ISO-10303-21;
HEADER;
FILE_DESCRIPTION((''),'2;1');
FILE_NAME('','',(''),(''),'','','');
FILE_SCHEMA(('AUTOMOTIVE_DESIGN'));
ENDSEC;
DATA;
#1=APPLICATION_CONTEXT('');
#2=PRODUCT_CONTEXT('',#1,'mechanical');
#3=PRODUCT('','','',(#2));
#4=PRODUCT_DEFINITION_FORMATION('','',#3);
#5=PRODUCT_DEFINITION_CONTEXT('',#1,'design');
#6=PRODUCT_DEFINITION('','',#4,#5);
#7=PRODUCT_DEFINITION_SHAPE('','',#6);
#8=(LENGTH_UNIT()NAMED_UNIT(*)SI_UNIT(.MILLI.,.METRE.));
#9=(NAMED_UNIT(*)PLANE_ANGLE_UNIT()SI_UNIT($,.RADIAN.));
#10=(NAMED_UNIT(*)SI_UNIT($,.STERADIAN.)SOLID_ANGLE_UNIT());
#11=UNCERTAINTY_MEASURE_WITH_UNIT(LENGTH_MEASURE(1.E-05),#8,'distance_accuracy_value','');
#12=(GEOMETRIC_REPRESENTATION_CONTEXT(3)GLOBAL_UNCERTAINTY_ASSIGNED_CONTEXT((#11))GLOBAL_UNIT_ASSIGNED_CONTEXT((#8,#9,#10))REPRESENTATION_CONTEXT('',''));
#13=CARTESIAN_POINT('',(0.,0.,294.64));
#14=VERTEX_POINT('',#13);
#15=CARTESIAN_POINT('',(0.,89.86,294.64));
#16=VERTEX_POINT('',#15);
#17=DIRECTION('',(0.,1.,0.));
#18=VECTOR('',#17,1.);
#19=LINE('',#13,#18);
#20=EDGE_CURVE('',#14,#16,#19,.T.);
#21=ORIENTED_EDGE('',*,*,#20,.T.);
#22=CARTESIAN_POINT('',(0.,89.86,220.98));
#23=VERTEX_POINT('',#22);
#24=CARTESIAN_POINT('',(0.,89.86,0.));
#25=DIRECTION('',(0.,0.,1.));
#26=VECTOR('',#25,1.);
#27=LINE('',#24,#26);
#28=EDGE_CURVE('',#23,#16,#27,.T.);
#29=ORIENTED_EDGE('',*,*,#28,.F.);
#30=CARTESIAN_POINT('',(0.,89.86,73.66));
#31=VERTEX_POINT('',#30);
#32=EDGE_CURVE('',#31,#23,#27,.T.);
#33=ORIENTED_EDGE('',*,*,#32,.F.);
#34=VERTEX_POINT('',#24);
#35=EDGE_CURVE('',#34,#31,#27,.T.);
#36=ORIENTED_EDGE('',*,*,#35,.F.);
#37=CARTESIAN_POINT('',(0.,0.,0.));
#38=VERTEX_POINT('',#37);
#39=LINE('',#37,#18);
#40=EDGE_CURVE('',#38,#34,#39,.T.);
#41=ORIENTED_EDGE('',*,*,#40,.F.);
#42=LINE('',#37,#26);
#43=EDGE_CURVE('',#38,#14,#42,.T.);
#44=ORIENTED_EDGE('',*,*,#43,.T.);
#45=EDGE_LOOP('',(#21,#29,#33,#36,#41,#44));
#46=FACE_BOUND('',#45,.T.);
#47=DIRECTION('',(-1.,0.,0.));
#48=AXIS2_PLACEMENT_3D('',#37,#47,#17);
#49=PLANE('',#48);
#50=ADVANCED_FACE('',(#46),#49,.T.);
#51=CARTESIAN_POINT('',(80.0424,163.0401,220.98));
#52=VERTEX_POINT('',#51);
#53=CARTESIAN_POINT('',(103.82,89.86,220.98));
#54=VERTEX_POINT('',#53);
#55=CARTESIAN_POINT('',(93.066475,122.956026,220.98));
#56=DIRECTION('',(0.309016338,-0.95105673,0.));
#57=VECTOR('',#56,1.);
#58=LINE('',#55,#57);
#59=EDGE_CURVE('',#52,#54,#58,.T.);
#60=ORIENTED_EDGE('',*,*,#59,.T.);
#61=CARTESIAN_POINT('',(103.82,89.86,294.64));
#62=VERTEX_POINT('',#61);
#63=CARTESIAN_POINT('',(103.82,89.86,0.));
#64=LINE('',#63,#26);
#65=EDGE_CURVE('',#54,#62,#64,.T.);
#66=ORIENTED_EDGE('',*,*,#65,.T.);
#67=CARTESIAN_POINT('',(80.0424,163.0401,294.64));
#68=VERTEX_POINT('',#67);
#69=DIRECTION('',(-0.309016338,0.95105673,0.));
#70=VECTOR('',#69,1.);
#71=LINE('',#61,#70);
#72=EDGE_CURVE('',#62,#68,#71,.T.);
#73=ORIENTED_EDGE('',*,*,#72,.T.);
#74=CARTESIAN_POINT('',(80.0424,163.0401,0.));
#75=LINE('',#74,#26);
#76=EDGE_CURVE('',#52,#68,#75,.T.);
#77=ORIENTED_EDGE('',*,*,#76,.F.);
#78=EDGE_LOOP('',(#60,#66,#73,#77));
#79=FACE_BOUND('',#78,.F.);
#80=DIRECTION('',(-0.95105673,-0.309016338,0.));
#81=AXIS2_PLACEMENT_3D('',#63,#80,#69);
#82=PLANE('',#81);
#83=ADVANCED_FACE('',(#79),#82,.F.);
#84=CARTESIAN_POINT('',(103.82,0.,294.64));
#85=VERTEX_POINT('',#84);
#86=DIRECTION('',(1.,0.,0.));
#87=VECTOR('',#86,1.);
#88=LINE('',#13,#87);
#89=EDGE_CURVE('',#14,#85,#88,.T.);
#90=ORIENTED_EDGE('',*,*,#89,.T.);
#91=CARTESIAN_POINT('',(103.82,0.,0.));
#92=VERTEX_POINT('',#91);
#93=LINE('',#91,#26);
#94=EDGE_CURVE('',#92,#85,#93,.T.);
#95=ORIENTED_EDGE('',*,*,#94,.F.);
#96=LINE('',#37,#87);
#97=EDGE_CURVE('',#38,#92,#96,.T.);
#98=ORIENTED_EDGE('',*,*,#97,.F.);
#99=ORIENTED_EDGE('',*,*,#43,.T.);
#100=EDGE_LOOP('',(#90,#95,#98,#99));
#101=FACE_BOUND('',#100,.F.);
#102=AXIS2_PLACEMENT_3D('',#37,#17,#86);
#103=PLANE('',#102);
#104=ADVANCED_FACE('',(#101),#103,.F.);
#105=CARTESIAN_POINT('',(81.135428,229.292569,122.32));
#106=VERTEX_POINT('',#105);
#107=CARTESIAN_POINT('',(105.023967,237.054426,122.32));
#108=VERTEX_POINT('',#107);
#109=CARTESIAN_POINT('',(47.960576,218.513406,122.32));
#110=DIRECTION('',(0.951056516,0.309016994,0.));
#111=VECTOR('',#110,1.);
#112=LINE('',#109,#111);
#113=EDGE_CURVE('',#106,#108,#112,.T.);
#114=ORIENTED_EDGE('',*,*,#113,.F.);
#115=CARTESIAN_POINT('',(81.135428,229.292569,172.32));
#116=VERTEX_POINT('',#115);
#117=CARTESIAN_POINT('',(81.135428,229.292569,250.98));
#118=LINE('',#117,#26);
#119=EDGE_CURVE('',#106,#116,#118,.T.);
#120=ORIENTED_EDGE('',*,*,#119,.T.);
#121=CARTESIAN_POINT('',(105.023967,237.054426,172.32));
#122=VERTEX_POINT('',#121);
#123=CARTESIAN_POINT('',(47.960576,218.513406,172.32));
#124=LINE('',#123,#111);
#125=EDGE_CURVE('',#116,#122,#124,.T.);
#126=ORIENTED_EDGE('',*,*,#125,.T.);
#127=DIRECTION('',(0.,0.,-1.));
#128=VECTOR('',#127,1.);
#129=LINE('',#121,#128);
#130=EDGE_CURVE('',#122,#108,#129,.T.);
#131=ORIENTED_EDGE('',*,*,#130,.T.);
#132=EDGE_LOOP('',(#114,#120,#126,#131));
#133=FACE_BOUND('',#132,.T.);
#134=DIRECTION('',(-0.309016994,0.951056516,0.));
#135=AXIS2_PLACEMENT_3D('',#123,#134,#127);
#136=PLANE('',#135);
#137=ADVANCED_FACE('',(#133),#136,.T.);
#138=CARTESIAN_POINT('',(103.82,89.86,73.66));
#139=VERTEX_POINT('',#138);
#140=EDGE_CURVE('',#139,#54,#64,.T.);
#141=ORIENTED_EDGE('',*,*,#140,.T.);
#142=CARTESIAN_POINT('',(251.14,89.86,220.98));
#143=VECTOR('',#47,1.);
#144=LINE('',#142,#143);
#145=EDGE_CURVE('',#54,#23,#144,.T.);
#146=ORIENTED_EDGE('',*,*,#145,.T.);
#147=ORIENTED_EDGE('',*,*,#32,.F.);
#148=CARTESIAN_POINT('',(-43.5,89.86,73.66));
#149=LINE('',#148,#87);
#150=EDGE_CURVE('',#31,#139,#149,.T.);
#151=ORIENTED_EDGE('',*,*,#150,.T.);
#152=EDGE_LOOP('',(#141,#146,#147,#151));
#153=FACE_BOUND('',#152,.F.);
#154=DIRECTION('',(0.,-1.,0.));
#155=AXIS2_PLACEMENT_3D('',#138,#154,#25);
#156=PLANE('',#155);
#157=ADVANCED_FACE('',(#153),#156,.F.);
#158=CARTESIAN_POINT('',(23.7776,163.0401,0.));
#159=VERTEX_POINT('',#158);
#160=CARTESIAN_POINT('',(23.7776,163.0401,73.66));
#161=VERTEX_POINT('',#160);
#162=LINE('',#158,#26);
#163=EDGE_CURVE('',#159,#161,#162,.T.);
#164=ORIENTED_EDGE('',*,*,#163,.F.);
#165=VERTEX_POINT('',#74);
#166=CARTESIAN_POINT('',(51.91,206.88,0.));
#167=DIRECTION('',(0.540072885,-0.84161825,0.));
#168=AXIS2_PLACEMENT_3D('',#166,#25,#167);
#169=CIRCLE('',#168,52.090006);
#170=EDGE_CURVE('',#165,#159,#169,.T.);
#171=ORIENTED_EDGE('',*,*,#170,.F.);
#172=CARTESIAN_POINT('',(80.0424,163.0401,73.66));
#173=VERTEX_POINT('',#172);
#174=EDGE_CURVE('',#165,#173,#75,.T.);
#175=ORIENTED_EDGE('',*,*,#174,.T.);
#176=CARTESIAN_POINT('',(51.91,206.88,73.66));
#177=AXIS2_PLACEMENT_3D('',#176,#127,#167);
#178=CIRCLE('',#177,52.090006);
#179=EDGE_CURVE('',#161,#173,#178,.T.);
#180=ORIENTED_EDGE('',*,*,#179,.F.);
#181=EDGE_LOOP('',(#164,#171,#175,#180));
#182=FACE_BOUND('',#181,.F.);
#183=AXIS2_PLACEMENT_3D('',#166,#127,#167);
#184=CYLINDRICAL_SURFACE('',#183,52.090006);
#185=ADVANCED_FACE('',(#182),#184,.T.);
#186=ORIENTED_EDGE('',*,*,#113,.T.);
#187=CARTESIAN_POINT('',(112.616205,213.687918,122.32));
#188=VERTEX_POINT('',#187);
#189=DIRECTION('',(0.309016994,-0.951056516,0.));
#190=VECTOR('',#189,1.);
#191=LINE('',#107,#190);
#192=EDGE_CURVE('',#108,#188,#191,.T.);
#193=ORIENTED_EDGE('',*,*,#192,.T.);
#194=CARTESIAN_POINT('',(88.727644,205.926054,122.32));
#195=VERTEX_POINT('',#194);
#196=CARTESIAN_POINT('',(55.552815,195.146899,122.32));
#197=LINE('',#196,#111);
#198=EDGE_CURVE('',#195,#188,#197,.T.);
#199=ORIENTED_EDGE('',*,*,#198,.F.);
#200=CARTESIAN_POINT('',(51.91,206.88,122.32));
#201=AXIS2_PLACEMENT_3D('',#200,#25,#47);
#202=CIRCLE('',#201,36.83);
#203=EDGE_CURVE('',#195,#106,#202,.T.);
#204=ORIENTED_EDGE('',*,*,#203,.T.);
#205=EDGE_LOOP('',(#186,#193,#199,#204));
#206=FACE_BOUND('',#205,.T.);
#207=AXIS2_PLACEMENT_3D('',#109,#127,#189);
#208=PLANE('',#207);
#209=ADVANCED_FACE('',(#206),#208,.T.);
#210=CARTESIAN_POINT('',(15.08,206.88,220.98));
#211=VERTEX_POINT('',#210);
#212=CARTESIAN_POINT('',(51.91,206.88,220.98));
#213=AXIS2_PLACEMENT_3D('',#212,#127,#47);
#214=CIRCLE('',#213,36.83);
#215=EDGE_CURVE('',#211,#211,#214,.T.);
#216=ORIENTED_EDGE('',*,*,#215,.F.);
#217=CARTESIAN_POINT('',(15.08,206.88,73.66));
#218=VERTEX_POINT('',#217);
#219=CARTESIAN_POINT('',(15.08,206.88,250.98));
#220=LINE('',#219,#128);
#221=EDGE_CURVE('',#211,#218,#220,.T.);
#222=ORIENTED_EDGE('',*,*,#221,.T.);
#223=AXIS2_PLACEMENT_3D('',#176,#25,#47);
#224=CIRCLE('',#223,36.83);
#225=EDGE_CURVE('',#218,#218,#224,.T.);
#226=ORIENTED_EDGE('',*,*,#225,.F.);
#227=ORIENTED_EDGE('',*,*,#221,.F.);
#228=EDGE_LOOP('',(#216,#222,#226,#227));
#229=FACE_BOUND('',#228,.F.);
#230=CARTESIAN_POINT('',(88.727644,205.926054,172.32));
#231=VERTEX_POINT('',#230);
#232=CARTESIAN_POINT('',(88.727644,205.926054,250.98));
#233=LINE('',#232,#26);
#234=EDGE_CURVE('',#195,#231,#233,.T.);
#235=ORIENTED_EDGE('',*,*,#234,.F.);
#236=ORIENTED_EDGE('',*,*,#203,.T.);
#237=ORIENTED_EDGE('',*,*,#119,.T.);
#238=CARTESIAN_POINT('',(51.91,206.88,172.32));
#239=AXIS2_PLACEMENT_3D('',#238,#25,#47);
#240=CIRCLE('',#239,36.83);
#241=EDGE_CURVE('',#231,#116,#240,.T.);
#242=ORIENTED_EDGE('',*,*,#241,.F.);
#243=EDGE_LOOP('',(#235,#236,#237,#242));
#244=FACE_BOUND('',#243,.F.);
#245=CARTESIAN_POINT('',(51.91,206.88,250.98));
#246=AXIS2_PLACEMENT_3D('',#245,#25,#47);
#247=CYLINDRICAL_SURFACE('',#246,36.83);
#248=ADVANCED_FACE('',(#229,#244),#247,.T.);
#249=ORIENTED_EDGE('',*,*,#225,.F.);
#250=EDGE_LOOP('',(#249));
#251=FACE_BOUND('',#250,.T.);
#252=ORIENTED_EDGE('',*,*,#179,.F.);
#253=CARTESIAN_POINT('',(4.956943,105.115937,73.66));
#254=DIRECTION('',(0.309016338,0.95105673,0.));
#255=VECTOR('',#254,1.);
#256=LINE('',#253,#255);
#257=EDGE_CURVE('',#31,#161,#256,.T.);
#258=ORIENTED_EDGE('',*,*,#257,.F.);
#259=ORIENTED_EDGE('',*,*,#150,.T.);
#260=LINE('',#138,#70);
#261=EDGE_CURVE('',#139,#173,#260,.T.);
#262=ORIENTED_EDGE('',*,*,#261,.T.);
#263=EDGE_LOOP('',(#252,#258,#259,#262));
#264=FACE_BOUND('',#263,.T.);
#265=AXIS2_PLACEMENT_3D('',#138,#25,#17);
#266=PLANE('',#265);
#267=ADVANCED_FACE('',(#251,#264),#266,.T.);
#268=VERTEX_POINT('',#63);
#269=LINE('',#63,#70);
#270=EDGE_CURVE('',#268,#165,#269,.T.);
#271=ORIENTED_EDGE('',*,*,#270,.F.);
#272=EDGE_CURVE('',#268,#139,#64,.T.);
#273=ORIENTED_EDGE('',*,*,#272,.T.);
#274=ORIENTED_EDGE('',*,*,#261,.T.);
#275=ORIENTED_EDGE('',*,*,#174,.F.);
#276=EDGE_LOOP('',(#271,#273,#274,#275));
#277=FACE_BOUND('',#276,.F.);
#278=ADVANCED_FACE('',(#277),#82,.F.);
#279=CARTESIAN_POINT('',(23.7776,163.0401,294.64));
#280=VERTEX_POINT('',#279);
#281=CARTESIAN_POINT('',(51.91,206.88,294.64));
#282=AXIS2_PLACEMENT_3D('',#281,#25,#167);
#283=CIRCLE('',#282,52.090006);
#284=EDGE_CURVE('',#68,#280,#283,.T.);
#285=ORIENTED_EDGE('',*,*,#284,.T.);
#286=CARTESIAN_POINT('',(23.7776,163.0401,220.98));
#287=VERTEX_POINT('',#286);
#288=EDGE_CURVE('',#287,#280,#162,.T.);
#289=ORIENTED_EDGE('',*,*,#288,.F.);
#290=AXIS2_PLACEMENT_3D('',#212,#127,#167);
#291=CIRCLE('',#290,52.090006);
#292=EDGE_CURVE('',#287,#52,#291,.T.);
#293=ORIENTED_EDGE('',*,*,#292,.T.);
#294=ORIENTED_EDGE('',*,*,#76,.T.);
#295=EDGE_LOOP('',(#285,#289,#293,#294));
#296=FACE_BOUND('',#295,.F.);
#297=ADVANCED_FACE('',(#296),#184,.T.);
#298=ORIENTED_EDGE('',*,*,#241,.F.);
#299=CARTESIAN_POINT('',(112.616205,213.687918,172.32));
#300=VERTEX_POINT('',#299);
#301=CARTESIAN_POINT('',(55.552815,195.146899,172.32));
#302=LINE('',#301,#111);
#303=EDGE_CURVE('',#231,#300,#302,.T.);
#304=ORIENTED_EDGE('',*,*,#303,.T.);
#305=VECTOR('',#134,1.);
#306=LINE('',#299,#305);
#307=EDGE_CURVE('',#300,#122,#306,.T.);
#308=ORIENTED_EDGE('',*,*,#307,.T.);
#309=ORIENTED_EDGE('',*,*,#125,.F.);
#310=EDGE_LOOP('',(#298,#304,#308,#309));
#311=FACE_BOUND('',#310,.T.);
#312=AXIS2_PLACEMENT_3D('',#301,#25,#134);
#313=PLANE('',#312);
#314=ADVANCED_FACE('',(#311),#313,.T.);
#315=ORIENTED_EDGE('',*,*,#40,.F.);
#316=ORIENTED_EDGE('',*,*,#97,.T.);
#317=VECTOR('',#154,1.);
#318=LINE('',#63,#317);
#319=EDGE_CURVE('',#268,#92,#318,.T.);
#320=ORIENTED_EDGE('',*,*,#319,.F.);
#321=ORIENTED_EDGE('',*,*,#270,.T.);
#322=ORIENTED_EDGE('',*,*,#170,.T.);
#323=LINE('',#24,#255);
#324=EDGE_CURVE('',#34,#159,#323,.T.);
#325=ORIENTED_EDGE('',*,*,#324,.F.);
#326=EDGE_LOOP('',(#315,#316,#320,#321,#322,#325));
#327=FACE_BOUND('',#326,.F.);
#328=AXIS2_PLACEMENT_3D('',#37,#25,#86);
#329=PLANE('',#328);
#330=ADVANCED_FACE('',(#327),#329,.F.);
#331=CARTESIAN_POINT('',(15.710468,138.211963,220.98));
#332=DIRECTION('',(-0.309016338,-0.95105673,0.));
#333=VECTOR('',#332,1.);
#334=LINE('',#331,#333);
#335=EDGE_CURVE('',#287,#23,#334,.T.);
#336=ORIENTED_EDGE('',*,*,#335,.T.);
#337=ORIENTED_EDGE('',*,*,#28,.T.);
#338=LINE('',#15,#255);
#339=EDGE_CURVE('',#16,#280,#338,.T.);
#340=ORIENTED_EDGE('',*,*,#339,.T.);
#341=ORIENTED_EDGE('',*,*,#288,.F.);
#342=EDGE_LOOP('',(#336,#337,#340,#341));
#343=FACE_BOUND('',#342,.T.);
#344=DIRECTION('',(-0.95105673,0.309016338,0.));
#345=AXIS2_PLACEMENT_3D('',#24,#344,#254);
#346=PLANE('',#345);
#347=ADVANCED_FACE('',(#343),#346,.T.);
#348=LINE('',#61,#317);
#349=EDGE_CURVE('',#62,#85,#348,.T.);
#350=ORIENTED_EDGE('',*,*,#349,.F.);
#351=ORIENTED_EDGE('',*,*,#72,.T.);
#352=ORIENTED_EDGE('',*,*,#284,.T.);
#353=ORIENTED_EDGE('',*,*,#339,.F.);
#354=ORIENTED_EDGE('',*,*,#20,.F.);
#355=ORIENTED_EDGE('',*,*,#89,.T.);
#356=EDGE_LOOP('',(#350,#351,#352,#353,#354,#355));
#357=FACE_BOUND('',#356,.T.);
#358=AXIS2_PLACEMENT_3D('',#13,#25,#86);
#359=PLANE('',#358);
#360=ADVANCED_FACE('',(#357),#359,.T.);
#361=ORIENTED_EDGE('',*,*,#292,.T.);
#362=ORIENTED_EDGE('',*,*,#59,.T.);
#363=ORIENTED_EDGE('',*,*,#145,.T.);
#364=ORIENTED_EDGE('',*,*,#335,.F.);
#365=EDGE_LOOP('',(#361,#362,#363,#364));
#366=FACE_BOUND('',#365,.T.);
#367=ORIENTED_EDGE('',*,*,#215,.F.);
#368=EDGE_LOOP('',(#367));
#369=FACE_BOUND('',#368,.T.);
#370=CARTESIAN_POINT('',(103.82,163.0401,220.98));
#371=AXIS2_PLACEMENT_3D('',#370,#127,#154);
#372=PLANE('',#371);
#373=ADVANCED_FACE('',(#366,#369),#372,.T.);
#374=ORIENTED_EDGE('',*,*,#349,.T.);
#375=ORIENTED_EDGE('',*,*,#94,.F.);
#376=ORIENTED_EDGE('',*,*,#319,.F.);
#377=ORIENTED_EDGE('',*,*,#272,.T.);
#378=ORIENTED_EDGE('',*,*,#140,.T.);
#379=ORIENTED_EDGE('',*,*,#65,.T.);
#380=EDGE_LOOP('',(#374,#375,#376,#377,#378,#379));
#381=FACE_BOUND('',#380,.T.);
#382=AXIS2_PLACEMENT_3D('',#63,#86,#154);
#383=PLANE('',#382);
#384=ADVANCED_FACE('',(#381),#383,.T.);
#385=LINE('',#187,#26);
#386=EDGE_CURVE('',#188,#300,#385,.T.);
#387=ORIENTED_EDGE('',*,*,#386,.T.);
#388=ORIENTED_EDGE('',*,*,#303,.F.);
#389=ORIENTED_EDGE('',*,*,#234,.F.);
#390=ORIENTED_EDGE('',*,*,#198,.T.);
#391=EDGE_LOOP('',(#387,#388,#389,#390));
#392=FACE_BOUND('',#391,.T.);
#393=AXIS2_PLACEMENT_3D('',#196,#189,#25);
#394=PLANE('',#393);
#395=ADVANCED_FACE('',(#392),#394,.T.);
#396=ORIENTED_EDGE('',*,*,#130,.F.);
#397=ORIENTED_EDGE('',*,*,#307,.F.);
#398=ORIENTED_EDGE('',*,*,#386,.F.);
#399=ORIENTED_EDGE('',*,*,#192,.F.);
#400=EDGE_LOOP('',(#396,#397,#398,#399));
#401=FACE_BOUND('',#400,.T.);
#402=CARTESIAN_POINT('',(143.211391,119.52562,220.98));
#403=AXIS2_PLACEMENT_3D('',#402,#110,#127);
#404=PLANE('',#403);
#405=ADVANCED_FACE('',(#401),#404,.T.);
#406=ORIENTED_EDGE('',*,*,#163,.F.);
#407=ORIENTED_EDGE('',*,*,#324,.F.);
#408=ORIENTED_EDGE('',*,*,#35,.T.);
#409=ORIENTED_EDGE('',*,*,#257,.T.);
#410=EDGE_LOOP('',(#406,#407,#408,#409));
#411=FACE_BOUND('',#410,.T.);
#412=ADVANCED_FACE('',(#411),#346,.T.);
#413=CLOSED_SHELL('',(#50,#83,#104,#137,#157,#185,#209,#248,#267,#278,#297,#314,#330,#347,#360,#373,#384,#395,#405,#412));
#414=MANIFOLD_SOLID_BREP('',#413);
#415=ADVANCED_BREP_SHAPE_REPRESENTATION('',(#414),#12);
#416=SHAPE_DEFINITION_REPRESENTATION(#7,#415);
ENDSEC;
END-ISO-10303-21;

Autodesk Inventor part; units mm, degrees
ref_plane "YZ Plane" through (0, 0, 0) normal (1, 0, 0) x (0, 1, 0)
ref_plane "XZ Plane" through (0, 0, 0) normal (0, 1, 0) x (-1, 0, 0)
ref_plane "XY Plane" through (0, 0, 0) normal (0, 0, 1) x (1, 0, 0)
sketch "Sketch1" plane through (0, 0, 0) normal (0, 0, 1) x (1, 0, 0)
  line L0 (0, 0) -> (103.82, 0)
  line L1 (0, 0) -> (0, 89.86)
  line L2 (103.82, 89.86) -> (103.82, 0)
  line L3 (103.82, 89.86) -> (80.0424, 163.0401)
  line L4 (0, 89.86) -> (23.7776, 163.0401)
  line L5 (0, 89.86) -> (103.82, 89.86)
  arc A0 (80.0424, 163.0401) -> (23.7776, 163.0401) centre (51.91, 206.88) ccw
  dimension "d1" = 89.86
sketch "Sketch2" plane through (0, 0, 0) normal (0, 0, 1) x (1, 0, 0)
  circle A0 centre (51.91, 206.8113) radius 52.09
  line L0 (0, 89.8599) -> (24.0879, 163.9947)
  line L1 (0, 89.8599) -> (77.95, 89.8599) construction
  point P0 (0, 0)
extrude "Extrusion1" add sketch "Sketch1" along normal blind 294.64
sketch "Sketch3" plane through (103.82, 0, 0) normal (1, 0, 0) x (0, 0, -1)
  line L0 (-294.64, 89.86) -> (-294.64, 0) projected
  line L1 (0, 89.86) -> (-294.64, 89.86) projected
  line L2 (-220.98, 89.86) -> (-73.66, 89.86)
  line L3 (-73.66, 89.86) -> (-73.66, 276.7764)
  line L4 (-73.66, 276.7764) -> (-220.98, 276.7764)
  line L5 (0, 163.0401) -> (-294.64, 163.0401) projected
  line L6 (-220.98, 276.7764) -> (-220.98, 89.86)
  point P0 (0, 0)
extrude "Extrusion2" cut sketch "Sketch3" along normal mid plane 294.64
sketch "Sketch4" plane through (0, 0, 0) normal (0, 0, -1) x (-1, 0, 0)
  point P0 (0, 0)
sketch "Sketch5" plane through (0, 0, 0) normal (0, 0, -1) x (-1, 0, 0)
  point P0 (0, 0)
sketch "Sketch6" plane through (0, 0, 294.64) normal (0, 0, 1) x (1, 0, 0)
  point P0 (0, 0)
sketch "Sketch7" plane through (51.91, 206.88, 73.66) normal (0, 0, 1) x (1, 0, 0)
  circle A0 centre (0, 0) radius 36.83
  point P0 (-51.91, -206.88)
  dimension "d23" = 73.66
extrude "Extrusion3" cut sketch "Sketch7" against normal blind 30
sketch "Sketch8" plane through (51.91, 206.88, 220.98) normal (0, 0, -1) x (-1, 0, 0)
  circle A0 centre (0, 0) radius 36.83
  point P0 (51.91, -206.88)
  dimension "d26" = 73.66
extrude "Extrusion4" cut sketch "Sketch8" against normal blind 30
sketch "Sketch9" plane through (51.91, 206.88, 250.98) normal (0, 0, -1) x (-1, 0, 0)
  circle A0 centre (0, 0) radius 36.83
  point P0 (51.91, -206.88)
  dimension "d29" = 73.66
extrude "Extrusion5" add sketch "Sketch9" along normal blind 207.32
ref_plane "Work Plane2" through (86.148, 100.9846, 220.98) normal (0.9511, 0.309, 0) x (0, 0, -1)
ref_plane "Work Plane1" through (51.91, 89.86, 220.98) normal (0.9511, 0.309, 0) x (0, 0, -1)
sketch "Sketch10" plane through (86.148, 100.9846, 220.98) normal (0.9511, 0.309, 0) x (0, 0, -1)
  line L0 (0, 148.1226) -> (0, 74.4626) construction
  line L1 (0, 111.2926) -> (147.32, 111.2926) construction
  line L2 (147.32, 74.4626) -> (147.32, 148.1226) construction
  line L3 (0, 148.1226) -> (147.32, 148.1226) construction
  line L4 (73.66, 148.1226) -> (73.66, 74.4626) construction
  line L5 (0, 74.4626) -> (147.32, 74.4626) construction
  line L6 (73.66, 111.2926) -> (48.66, 111.2926) construction
  line L7 (48.66, 111.2926) -> (48.66, 123.5771) construction
  line L8 (48.66, 123.5771) -> (98.66, 123.5771)
  line L9 (98.66, 123.5771) -> (98.66, 99.0081)
  line L10 (98.66, 99.0081) -> (48.66, 99.0081)
  line L11 (48.66, 99.0081) -> (48.66, 123.5771)
  point P0 (220.98, -69.4209)
  dimension "d33" = 25
  dimension "d34" = 12.2845
  dimension "d35" = 50
  dimension "d36" = 24.569
extrude "Extrusion6" add sketch "Sketch10" along normal blind 60
properties part number "Dish antenna base"
